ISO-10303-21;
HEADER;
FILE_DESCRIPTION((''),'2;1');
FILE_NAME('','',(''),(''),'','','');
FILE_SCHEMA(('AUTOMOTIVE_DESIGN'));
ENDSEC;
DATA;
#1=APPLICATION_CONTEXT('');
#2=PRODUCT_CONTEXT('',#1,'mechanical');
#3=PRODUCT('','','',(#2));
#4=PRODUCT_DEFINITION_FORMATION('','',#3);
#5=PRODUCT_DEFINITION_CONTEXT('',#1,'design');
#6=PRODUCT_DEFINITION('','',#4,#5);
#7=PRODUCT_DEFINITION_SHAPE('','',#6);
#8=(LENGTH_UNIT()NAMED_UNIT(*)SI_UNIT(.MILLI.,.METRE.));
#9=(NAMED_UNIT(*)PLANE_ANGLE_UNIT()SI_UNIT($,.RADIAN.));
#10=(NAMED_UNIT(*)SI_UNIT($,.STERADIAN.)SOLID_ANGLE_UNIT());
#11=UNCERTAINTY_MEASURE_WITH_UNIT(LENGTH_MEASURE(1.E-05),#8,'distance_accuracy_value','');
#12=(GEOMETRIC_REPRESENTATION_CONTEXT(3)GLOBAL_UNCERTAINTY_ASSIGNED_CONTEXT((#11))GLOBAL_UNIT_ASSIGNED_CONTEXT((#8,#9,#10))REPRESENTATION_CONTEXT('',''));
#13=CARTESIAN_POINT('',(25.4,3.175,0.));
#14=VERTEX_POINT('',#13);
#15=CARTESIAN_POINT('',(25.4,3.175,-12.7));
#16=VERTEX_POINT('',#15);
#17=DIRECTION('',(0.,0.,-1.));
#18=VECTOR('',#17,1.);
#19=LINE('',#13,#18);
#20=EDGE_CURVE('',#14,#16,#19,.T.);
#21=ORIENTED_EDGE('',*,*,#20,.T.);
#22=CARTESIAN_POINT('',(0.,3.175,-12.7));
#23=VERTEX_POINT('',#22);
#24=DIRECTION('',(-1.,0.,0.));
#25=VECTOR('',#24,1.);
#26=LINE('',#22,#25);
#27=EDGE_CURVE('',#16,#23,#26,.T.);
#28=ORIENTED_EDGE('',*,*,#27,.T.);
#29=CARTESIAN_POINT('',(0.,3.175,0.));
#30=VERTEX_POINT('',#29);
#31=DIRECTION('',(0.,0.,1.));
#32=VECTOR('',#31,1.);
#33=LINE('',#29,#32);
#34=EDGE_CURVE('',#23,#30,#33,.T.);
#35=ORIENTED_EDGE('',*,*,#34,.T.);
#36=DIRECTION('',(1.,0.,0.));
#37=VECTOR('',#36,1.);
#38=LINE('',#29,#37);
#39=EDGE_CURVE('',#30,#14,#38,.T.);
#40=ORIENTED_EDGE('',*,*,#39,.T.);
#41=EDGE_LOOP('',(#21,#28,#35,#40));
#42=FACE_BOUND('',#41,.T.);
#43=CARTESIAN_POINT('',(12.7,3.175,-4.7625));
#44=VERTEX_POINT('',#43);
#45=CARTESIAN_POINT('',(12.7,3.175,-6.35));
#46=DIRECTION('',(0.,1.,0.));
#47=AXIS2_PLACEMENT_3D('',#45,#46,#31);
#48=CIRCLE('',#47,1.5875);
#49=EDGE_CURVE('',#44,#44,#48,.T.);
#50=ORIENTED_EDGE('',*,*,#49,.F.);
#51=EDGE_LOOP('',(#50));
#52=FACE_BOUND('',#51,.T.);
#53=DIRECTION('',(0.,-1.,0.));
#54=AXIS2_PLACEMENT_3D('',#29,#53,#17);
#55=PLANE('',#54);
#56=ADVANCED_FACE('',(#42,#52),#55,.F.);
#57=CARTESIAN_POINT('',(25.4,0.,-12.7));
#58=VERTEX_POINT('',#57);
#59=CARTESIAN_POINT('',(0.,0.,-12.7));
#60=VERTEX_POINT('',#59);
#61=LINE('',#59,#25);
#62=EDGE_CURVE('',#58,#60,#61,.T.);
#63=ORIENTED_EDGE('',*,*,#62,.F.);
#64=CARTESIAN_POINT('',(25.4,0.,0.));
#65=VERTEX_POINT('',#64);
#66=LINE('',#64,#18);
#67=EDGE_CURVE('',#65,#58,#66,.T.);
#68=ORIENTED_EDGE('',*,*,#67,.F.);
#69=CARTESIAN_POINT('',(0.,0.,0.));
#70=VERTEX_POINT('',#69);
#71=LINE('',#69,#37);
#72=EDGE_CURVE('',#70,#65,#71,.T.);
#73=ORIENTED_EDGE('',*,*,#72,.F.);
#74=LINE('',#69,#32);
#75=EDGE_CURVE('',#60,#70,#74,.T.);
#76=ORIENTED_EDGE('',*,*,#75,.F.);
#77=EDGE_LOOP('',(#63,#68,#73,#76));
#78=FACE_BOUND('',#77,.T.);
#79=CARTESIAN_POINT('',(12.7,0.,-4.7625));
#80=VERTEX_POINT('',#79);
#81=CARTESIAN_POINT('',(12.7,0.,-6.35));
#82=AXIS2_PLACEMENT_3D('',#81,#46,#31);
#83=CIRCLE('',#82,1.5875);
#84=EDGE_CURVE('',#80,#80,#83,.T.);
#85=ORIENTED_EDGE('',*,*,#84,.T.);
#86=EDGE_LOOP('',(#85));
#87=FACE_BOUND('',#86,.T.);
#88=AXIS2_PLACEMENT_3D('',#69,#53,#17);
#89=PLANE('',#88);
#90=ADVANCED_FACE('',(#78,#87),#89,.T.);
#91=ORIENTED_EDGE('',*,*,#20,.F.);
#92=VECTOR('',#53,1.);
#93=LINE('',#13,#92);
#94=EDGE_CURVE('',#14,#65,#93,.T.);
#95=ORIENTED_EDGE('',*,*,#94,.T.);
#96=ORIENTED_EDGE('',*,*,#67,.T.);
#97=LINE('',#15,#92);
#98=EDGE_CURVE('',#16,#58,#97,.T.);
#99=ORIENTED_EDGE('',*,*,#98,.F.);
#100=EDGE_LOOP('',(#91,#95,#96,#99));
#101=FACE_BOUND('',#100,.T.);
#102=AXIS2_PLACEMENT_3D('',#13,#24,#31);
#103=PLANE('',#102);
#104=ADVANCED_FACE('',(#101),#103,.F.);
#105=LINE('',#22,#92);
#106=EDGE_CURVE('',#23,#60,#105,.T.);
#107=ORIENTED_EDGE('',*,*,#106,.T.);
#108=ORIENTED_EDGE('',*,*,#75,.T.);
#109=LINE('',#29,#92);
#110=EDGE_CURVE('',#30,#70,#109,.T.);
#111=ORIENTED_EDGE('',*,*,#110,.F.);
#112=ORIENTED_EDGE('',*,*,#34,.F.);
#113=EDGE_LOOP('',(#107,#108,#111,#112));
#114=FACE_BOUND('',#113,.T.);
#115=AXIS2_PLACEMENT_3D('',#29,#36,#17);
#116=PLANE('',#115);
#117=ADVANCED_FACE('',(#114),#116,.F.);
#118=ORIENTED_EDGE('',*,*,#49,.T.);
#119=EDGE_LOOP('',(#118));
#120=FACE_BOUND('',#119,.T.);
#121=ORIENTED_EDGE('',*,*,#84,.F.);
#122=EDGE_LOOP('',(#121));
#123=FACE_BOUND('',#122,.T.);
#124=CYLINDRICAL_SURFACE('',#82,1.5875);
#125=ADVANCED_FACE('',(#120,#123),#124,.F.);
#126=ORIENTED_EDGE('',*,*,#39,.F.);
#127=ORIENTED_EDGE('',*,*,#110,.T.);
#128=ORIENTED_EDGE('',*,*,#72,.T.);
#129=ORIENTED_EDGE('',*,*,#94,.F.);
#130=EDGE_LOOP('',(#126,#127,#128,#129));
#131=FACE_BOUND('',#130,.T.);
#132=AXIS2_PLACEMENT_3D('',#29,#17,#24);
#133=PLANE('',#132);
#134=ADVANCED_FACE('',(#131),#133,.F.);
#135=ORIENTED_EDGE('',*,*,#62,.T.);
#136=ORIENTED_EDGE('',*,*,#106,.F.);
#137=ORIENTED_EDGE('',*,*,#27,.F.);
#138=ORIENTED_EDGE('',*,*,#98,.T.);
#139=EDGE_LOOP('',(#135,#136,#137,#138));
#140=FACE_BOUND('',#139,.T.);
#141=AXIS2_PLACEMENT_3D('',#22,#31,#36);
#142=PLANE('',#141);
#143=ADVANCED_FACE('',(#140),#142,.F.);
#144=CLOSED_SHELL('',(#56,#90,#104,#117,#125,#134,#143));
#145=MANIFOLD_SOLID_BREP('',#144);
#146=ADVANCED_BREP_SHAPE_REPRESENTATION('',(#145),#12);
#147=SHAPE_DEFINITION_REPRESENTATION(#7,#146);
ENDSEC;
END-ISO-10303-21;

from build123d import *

# Parameters (mm, degrees)
SKETCH1_W           = 25.4
SKETCH1_H           = 12.7
BOSS_EXTRUDE1_DEPTH = 3.175
SKETCH2_R           = 1.5875
CUT_EXTRUDE1_DEPTH  = 29.575


with BuildPart() as part:
    # Sketch1 → Boss-Extrude1 (new body)
    with BuildSketch(Plane(origin=(0, 0, 0), x_dir=(1, 0, 0), z_dir=(0, 1, 0))):
        with Locations((12.7, 6.35)):
            Rectangle(SKETCH1_W, SKETCH1_H)
    extrude(amount=BOSS_EXTRUDE1_DEPTH)

    # Sketch2 → Cut-Extrude1 (cut, through all)
    with BuildSketch(Plane(origin=(0, 3.175, 0), x_dir=(1, 0, 0), z_dir=(0, 1, 0))):
        with Locations(Location((12.7, 6.35, 0), (0, 0, 270))):
            Circle(SKETCH2_R)
    extrude(amount=-CUT_EXTRUDE1_DEPTH, mode=Mode.SUBTRACT)


solid = part.part
